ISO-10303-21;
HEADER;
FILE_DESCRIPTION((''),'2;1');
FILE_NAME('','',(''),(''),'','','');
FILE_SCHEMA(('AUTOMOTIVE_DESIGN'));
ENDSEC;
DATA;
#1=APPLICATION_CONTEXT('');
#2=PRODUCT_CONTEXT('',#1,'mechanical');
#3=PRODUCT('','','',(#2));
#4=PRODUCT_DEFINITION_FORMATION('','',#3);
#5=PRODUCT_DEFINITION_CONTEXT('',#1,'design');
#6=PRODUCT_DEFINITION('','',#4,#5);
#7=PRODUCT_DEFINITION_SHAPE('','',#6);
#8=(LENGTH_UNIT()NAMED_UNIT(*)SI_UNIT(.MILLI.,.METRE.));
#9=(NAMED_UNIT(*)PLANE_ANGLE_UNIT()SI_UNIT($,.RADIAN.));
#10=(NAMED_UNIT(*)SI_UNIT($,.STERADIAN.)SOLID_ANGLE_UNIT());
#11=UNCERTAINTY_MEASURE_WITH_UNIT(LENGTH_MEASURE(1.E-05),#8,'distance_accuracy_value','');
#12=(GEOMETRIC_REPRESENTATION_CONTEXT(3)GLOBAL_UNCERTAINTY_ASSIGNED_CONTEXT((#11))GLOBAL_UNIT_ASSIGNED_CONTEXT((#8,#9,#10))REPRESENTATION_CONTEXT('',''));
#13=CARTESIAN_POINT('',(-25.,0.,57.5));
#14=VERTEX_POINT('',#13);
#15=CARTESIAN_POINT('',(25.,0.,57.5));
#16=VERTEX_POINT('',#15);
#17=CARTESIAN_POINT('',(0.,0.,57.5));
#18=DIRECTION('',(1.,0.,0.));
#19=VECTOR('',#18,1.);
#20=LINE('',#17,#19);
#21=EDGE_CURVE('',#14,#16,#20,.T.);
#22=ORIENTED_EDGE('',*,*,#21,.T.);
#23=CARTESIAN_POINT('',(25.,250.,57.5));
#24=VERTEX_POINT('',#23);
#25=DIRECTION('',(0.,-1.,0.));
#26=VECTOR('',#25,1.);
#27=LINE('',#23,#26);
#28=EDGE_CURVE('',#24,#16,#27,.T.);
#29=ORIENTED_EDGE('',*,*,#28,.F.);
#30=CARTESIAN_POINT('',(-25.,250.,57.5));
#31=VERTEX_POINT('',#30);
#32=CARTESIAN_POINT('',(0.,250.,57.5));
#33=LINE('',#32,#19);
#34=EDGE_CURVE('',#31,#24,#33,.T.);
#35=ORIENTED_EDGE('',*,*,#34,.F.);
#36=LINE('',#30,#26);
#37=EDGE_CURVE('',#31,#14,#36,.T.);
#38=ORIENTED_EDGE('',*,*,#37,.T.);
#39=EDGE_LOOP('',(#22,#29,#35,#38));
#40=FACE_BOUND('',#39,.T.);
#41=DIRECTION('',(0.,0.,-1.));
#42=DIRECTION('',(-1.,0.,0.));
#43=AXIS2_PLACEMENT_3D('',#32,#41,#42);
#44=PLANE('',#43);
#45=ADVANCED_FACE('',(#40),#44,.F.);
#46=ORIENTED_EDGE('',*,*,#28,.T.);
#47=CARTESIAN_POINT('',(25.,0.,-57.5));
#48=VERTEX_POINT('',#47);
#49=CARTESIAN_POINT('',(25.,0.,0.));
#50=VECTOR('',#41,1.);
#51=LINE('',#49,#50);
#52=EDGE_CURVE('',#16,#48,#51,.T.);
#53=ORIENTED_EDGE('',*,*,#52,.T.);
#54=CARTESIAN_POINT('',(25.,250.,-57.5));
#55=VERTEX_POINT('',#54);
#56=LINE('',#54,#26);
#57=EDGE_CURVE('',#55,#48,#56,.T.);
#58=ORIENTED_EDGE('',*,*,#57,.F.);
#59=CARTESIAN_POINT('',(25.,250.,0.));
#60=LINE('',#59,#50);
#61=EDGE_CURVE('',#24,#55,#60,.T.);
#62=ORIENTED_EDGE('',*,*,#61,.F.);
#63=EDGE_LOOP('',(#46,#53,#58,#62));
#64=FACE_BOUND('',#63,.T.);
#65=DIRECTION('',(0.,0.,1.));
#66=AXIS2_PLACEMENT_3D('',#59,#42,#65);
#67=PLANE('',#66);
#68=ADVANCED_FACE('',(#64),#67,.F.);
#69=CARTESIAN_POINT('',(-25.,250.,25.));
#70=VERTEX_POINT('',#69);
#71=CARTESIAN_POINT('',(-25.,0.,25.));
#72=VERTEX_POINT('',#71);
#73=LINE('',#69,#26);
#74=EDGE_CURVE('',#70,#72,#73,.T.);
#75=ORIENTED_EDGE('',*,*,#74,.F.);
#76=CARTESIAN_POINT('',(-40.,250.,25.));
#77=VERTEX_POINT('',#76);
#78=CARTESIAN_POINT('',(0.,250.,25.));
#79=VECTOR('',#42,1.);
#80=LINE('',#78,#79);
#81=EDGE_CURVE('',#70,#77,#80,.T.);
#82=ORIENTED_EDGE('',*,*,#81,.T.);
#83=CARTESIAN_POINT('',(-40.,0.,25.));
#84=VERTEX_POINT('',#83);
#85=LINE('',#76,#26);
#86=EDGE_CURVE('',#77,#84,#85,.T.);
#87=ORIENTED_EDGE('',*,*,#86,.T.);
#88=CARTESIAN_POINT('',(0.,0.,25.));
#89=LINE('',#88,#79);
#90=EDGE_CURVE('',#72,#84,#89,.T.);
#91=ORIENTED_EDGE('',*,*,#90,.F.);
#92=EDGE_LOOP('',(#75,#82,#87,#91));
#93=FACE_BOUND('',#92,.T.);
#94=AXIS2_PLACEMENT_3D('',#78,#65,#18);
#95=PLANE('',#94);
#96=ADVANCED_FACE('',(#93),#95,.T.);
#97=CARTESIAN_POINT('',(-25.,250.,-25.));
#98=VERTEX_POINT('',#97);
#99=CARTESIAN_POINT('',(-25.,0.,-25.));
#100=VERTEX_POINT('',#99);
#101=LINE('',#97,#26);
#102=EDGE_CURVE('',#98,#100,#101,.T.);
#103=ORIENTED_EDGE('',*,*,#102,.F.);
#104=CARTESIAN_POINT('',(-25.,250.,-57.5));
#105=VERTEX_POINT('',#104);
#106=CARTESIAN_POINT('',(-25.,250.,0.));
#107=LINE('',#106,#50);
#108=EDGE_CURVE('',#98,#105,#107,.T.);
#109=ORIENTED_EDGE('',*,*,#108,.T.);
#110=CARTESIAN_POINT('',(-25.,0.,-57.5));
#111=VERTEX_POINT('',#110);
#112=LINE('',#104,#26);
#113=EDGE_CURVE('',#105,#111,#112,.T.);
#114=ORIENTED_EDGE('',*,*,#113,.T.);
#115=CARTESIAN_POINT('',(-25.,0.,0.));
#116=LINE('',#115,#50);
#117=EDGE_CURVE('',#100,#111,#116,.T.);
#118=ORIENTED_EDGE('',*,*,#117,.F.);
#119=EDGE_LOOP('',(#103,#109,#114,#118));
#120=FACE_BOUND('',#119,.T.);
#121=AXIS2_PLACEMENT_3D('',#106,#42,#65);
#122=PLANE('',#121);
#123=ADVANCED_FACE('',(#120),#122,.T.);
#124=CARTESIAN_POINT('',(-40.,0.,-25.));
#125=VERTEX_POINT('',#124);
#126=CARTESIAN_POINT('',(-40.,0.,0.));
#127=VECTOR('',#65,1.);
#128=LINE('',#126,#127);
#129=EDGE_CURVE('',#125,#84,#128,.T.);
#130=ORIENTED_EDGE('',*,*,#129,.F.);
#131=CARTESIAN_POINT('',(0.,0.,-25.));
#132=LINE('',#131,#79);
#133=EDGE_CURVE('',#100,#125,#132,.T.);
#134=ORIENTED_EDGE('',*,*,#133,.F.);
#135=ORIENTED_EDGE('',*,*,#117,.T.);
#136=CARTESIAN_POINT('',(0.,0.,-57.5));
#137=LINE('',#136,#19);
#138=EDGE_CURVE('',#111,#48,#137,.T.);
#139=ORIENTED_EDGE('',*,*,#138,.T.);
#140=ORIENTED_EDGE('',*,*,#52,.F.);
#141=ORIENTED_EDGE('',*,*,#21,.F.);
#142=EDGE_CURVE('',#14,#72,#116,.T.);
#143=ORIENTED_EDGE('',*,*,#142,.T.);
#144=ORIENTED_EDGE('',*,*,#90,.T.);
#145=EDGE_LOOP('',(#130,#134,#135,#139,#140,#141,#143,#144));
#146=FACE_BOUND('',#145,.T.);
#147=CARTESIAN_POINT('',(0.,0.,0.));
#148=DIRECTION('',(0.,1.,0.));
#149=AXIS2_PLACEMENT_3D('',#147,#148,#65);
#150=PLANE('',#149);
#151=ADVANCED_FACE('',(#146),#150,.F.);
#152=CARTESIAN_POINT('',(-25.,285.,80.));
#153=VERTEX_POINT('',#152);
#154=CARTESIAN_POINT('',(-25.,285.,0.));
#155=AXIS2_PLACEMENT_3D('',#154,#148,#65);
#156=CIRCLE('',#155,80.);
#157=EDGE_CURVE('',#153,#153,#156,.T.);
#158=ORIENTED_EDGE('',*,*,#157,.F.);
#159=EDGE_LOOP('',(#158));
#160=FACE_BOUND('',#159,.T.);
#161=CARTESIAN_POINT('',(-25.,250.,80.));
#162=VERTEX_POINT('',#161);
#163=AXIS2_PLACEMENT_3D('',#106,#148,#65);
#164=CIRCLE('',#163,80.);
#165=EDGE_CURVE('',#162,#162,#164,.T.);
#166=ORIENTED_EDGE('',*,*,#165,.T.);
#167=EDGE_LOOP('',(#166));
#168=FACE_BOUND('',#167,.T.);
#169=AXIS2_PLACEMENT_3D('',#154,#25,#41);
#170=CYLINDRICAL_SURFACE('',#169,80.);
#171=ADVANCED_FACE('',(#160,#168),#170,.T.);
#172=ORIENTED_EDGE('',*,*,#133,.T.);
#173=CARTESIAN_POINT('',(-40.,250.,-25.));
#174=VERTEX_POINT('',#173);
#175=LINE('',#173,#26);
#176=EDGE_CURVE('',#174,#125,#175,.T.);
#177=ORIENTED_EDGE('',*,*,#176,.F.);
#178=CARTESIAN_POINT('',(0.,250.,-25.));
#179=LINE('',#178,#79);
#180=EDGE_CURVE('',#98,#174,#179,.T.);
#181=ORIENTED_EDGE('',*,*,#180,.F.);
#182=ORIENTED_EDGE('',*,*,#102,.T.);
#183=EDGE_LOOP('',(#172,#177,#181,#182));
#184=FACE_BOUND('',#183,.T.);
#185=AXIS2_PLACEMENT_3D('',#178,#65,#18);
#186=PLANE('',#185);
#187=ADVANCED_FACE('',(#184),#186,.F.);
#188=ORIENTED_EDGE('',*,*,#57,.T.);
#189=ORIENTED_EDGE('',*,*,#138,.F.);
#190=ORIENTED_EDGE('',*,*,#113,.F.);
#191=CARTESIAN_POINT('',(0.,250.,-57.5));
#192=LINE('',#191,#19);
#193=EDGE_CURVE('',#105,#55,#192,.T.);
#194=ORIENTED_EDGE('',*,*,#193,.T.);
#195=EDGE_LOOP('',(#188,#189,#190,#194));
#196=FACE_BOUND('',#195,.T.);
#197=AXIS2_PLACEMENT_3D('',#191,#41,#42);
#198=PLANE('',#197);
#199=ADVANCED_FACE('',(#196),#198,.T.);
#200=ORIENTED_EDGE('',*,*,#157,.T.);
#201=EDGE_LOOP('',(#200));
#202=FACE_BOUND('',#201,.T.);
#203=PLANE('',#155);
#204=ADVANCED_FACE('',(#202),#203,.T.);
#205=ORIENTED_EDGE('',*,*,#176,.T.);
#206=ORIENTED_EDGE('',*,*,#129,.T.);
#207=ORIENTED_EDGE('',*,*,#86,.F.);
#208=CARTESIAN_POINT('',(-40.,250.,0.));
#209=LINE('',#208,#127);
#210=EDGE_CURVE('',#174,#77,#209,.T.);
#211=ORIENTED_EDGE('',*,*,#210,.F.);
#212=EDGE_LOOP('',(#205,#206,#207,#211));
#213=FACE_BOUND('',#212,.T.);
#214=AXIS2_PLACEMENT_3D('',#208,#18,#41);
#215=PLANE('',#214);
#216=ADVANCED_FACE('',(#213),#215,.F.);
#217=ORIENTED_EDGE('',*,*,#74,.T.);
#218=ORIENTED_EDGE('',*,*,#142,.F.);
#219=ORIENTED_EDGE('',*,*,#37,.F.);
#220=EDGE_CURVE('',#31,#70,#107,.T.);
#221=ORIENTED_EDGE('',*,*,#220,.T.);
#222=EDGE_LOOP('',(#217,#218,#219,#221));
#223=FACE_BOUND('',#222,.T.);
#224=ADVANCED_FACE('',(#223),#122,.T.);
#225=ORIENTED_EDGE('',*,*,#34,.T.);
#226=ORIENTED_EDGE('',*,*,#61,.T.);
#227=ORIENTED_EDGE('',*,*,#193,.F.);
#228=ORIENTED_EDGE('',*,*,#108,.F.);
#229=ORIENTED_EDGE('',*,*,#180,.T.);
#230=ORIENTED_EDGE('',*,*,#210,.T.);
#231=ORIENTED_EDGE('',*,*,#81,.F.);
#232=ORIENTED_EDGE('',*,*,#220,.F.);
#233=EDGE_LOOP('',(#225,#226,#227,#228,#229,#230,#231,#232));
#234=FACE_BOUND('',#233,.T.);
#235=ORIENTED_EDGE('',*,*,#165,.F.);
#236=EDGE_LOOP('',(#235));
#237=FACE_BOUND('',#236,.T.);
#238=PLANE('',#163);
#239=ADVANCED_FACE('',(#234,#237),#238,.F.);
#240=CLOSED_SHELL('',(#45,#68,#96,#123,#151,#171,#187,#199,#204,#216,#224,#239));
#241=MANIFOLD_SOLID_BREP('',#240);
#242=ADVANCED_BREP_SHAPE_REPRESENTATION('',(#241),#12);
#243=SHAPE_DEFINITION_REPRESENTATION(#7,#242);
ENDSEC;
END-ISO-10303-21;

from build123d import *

# Parameters (mm, degrees)
CROQUIS1_W              = 15
CROQUIS1_H              = 50
CROQUIS1_W_2            = 50
CROQUIS1_H_2            = 115
SALIENTE_EXTRUIR1_DEPTH = 250
CROQUIS2_R              = 80
SALIENTE_EXTRUIR2_DEPTH = 35


with BuildPart() as part:
    # Croquis1 → Saliente-Extruir1 (new body)
    with BuildSketch(Plane(origin=(0, 0, 0), x_dir=(1, 0, 0), z_dir=(0, 1, 0))):
        with Locations((-32.5, 0)):
            Rectangle(CROQUIS1_W, CROQUIS1_H)
        Rectangle(CROQUIS1_W_2, CROQUIS1_H_2)
    extrude(amount=SALIENTE_EXTRUIR1_DEPTH)

    # Croquis2 → Saliente-Extruir2 (add)
    with BuildSketch(Plane(origin=(0, 250, 0), x_dir=(1, 0, 0), z_dir=(0, 1, 0))):
        with Locations(Location((-25, 0, 0), (0, 0, 270))):
            Circle(CROQUIS2_R)
    extrude(amount=SALIENTE_EXTRUIR2_DEPTH)


solid = part.part
